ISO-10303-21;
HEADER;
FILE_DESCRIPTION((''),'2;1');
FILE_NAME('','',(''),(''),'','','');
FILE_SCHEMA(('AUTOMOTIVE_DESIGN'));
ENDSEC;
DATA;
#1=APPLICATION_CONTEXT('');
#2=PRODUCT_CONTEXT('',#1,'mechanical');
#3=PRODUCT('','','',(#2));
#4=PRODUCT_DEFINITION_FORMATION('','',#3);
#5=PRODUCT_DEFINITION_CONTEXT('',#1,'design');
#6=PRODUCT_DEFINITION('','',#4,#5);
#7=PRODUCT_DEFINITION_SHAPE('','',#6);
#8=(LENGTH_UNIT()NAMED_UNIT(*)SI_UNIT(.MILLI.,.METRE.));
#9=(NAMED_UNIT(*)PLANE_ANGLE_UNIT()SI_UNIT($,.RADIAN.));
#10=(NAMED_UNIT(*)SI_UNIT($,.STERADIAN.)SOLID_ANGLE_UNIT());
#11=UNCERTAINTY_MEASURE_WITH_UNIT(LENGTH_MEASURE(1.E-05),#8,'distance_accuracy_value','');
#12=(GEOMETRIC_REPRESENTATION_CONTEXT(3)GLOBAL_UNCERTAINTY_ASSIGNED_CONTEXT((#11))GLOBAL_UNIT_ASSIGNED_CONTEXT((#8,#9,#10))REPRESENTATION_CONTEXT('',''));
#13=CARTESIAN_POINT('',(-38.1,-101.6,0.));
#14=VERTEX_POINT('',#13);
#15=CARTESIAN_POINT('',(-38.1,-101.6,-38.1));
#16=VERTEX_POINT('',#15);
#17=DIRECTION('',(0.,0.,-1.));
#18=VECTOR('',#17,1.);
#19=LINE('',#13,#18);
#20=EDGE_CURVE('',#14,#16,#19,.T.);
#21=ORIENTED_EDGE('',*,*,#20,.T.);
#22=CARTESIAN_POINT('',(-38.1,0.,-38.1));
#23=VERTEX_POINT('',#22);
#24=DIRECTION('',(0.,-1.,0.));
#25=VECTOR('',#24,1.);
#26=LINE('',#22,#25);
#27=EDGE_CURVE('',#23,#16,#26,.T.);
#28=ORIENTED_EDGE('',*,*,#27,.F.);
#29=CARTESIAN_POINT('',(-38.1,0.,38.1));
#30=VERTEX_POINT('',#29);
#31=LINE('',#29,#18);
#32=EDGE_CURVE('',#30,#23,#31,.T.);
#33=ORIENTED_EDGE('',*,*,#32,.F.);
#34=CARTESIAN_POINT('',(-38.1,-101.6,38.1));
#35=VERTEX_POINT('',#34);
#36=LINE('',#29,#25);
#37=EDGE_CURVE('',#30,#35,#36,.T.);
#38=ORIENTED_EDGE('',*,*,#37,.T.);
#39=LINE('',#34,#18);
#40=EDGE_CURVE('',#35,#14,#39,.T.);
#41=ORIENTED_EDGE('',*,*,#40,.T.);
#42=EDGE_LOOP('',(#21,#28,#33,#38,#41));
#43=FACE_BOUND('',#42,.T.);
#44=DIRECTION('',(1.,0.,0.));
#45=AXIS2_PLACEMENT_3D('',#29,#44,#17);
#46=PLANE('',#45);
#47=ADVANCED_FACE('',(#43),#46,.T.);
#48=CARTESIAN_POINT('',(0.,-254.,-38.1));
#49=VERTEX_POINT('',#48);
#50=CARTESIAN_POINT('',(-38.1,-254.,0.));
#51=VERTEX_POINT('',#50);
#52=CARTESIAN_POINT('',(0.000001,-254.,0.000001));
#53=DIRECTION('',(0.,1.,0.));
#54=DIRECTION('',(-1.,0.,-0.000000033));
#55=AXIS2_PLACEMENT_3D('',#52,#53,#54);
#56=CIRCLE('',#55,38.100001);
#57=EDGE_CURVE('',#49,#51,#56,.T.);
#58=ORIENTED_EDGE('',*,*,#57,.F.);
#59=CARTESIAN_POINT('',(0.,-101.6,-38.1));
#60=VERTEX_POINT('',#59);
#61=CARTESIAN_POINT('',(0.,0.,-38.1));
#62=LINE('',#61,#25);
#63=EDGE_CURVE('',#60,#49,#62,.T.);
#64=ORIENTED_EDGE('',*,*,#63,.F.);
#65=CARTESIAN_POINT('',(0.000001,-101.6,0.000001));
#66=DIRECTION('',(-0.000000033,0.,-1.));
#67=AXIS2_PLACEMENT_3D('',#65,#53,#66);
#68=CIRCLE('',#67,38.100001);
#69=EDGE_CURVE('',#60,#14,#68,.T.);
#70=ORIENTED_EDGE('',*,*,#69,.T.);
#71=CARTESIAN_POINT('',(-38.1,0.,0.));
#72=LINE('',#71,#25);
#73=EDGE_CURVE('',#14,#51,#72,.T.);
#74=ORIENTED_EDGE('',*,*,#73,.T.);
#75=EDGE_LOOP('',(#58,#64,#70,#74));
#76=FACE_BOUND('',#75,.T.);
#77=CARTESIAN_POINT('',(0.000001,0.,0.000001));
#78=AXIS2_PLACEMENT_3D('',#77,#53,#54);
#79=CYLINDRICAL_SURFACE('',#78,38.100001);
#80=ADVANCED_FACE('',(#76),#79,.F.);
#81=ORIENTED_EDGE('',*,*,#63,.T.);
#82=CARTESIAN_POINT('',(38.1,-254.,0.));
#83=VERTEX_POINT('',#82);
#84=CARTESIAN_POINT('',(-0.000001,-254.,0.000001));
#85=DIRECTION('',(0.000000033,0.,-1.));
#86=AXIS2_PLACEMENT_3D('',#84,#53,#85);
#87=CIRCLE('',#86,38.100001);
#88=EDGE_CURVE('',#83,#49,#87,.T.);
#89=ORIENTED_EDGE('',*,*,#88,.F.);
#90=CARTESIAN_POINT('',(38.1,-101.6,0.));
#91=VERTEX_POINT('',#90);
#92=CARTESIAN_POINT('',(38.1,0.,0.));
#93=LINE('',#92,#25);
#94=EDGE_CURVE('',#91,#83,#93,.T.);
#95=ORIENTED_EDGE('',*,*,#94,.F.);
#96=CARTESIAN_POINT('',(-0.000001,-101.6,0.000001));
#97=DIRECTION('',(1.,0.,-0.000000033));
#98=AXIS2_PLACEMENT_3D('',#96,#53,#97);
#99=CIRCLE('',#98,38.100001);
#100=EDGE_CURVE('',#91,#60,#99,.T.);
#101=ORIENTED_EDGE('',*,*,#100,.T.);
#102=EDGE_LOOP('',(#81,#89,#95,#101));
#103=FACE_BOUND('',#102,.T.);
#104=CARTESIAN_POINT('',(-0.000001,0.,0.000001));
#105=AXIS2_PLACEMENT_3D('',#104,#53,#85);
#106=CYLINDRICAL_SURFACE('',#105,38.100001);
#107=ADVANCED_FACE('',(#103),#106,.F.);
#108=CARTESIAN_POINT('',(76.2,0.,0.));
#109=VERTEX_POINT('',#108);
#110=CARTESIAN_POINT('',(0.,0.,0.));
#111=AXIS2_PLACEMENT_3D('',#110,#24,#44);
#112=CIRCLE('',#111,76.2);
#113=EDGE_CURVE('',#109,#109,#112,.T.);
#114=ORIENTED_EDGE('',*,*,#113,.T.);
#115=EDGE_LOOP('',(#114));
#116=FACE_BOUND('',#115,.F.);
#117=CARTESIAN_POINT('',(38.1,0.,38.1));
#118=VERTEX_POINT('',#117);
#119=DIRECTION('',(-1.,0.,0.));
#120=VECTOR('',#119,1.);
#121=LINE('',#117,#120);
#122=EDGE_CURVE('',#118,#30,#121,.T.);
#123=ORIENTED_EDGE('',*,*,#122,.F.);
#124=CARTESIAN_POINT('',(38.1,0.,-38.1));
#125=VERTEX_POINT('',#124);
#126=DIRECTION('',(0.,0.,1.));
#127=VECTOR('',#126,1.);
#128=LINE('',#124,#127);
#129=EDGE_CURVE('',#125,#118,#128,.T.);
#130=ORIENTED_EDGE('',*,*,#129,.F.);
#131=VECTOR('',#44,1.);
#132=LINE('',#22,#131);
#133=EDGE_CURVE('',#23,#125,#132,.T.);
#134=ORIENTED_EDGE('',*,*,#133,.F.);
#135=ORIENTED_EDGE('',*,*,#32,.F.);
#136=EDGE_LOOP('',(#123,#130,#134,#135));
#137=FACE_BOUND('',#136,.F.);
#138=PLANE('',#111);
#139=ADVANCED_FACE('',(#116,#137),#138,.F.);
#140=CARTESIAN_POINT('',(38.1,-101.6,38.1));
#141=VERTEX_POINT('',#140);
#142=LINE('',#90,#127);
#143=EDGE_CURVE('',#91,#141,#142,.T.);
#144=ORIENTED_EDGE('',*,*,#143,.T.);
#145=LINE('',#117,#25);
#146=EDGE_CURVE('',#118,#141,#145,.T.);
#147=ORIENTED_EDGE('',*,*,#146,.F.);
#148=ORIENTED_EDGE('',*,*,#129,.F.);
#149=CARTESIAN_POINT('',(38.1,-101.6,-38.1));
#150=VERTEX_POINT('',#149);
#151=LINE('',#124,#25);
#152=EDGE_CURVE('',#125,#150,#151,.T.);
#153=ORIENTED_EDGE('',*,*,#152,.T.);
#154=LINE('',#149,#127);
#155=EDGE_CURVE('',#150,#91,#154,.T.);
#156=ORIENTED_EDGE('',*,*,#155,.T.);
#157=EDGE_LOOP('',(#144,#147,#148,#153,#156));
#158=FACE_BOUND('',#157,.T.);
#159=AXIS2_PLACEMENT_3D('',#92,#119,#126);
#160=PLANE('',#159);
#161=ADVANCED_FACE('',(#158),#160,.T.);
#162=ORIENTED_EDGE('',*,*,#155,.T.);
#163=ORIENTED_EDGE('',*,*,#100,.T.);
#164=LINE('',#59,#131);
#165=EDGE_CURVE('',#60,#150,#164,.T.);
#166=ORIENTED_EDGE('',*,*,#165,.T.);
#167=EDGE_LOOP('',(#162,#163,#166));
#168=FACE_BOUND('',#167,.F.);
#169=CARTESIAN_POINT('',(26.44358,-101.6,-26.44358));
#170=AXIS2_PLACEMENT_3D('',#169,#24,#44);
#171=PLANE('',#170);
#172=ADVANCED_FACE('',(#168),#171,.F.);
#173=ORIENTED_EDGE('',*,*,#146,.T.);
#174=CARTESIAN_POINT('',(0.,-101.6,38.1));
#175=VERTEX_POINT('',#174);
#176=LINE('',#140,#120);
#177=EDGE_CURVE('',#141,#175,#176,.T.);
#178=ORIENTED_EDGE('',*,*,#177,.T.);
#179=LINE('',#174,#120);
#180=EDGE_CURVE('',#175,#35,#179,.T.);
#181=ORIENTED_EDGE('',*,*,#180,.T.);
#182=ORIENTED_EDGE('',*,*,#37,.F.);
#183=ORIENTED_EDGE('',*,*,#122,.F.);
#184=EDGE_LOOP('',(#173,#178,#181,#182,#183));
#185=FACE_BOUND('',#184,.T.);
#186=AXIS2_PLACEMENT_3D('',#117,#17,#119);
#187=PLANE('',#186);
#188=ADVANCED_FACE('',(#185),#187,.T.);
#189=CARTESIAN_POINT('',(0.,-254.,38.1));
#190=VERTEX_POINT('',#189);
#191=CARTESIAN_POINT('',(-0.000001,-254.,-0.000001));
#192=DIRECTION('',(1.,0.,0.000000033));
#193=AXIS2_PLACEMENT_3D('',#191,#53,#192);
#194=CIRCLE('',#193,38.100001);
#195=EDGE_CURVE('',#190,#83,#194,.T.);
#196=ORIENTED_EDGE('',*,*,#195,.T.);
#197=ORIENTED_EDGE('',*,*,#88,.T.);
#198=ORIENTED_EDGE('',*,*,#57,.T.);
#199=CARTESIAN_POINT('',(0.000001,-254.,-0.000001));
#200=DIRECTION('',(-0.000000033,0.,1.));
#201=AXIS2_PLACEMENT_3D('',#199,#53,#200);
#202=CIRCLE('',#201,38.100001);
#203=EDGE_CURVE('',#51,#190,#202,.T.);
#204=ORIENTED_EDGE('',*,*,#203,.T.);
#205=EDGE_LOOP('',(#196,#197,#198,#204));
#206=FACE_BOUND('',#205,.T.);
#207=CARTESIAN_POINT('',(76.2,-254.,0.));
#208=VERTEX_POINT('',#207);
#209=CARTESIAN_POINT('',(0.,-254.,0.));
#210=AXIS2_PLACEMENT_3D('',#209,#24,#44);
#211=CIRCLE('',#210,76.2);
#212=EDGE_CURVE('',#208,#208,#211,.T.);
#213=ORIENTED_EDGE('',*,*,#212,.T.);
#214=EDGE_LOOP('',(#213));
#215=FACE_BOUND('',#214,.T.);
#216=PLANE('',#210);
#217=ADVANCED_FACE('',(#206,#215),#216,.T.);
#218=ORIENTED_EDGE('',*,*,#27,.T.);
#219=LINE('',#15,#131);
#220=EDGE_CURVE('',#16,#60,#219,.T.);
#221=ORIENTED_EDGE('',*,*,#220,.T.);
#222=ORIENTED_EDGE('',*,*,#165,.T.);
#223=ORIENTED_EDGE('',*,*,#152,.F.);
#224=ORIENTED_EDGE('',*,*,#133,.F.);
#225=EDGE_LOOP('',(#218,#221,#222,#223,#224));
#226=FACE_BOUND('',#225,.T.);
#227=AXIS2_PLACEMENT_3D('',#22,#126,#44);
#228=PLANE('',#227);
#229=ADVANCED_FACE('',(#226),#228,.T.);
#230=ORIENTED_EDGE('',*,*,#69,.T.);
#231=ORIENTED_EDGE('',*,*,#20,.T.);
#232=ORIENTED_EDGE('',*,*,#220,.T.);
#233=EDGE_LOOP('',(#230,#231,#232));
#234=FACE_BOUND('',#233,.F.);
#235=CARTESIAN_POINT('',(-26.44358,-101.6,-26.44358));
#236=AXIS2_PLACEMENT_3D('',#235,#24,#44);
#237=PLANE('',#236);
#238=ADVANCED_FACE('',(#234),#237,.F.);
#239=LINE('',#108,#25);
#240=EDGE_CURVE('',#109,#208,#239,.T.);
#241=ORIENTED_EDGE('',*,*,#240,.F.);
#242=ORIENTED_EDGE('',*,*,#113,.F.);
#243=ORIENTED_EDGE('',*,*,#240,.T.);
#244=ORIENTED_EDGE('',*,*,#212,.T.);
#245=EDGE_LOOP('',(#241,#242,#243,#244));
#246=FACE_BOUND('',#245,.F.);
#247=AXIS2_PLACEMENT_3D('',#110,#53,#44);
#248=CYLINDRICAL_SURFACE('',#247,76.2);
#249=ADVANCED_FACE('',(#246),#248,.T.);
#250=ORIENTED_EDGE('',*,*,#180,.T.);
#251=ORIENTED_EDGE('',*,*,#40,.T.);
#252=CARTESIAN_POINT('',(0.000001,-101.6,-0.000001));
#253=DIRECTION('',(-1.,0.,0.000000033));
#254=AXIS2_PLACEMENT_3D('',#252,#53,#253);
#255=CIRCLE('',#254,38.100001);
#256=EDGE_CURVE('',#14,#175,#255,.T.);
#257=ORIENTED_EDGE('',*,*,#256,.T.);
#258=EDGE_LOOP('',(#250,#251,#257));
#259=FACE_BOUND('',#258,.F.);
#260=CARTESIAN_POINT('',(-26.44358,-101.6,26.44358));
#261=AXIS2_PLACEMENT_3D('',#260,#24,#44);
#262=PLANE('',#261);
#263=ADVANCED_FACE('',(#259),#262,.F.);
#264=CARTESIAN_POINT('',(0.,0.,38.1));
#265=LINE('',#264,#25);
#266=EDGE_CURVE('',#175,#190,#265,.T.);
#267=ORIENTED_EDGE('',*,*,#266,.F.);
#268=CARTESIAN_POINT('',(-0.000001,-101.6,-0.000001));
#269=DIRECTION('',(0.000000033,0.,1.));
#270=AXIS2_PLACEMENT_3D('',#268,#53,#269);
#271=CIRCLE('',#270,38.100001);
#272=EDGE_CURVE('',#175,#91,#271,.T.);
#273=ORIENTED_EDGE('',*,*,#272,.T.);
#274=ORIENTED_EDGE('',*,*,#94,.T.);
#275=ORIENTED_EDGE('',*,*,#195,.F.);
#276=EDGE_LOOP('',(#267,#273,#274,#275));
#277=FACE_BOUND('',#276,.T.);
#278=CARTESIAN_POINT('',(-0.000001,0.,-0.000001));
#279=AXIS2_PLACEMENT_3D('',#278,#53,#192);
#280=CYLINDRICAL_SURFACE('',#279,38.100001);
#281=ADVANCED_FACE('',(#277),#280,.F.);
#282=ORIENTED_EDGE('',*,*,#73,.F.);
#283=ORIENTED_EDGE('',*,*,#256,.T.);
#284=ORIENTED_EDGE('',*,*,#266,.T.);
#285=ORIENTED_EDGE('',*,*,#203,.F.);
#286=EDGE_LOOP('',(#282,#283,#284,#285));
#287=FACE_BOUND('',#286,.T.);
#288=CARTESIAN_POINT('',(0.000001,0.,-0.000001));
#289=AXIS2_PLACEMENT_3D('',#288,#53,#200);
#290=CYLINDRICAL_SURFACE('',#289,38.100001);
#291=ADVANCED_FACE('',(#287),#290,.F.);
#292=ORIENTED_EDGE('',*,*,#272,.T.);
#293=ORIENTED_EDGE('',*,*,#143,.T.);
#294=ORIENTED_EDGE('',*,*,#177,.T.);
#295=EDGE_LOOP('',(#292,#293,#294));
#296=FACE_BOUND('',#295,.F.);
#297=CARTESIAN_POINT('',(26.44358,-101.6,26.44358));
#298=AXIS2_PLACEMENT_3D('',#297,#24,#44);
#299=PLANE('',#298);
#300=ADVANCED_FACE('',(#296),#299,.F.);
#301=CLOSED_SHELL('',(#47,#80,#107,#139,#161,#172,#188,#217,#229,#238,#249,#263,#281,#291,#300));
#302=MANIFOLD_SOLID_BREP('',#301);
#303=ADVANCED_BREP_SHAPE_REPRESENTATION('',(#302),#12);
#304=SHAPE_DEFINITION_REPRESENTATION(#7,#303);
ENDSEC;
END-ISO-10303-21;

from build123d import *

# Parameters (mm, degrees)
F0_R     = 76.2
F2_DEPTH = 254
F3_DEPTH = 254.001
F4_DEPTH = 101.6


with BuildPart() as f2:
    # F0 (on Front) → F2 (new body)
    with BuildSketch(Plane.XZ):
        Circle(F0_R)
    extrude(amount=F2_DEPTH)

    # F1 (on Front) → F3 (cut, through all)
    with BuildSketch(Plane.XZ):
        with BuildLine():
            ThreePointArc((38.1, 0), (26.940768, 26.940768), (0, 38.1))
            ThreePointArc((0, 38.1), (-26.940768, 26.940768), (-38.1, 0))
            ThreePointArc((-38.1, 0), (-26.940768, -26.940768), (0, -38.1))
            ThreePointArc((0, -38.1), (26.940768, -26.940768), (38.1, 0))
        make_face()
    extrude(amount=F3_DEPTH, mode=Mode.SUBTRACT)

    # F1 (on Front) → F4 (cut)
    with BuildSketch(Plane.XZ):
        with BuildLine():
            Line((38.1, 0), (38.1, 38.1))
            Line((38.1, 38.1), (0, 38.1))
            ThreePointArc((0, 38.1), (26.940768, 26.940768), (38.1, 0))
        make_face()
        with BuildLine():
            ThreePointArc((-38.1, 0), (-26.940768, 26.940768), (0, 38.1))
            Line((0, 38.1), (-38.1, 38.1))
            Line((-38.1, 38.1), (-38.1, 0))
        make_face()
        with BuildLine():
            Line((38.1, -38.1), (38.1, 0))
            ThreePointArc((38.1, 0), (26.940768, -26.940768), (0, -38.1))
            Line((0, -38.1), (38.1, -38.1))
        make_face()
        with BuildLine():
            ThreePointArc((0, -38.1), (-26.940768, -26.940768), (-38.1, 0))
            Line((-38.1, 0), (-38.1, -38.1))
            Line((-38.1, -38.1), (0, -38.1))
        make_face()
    extrude(amount=F4_DEPTH, mode=Mode.SUBTRACT)


solid = f2.part
